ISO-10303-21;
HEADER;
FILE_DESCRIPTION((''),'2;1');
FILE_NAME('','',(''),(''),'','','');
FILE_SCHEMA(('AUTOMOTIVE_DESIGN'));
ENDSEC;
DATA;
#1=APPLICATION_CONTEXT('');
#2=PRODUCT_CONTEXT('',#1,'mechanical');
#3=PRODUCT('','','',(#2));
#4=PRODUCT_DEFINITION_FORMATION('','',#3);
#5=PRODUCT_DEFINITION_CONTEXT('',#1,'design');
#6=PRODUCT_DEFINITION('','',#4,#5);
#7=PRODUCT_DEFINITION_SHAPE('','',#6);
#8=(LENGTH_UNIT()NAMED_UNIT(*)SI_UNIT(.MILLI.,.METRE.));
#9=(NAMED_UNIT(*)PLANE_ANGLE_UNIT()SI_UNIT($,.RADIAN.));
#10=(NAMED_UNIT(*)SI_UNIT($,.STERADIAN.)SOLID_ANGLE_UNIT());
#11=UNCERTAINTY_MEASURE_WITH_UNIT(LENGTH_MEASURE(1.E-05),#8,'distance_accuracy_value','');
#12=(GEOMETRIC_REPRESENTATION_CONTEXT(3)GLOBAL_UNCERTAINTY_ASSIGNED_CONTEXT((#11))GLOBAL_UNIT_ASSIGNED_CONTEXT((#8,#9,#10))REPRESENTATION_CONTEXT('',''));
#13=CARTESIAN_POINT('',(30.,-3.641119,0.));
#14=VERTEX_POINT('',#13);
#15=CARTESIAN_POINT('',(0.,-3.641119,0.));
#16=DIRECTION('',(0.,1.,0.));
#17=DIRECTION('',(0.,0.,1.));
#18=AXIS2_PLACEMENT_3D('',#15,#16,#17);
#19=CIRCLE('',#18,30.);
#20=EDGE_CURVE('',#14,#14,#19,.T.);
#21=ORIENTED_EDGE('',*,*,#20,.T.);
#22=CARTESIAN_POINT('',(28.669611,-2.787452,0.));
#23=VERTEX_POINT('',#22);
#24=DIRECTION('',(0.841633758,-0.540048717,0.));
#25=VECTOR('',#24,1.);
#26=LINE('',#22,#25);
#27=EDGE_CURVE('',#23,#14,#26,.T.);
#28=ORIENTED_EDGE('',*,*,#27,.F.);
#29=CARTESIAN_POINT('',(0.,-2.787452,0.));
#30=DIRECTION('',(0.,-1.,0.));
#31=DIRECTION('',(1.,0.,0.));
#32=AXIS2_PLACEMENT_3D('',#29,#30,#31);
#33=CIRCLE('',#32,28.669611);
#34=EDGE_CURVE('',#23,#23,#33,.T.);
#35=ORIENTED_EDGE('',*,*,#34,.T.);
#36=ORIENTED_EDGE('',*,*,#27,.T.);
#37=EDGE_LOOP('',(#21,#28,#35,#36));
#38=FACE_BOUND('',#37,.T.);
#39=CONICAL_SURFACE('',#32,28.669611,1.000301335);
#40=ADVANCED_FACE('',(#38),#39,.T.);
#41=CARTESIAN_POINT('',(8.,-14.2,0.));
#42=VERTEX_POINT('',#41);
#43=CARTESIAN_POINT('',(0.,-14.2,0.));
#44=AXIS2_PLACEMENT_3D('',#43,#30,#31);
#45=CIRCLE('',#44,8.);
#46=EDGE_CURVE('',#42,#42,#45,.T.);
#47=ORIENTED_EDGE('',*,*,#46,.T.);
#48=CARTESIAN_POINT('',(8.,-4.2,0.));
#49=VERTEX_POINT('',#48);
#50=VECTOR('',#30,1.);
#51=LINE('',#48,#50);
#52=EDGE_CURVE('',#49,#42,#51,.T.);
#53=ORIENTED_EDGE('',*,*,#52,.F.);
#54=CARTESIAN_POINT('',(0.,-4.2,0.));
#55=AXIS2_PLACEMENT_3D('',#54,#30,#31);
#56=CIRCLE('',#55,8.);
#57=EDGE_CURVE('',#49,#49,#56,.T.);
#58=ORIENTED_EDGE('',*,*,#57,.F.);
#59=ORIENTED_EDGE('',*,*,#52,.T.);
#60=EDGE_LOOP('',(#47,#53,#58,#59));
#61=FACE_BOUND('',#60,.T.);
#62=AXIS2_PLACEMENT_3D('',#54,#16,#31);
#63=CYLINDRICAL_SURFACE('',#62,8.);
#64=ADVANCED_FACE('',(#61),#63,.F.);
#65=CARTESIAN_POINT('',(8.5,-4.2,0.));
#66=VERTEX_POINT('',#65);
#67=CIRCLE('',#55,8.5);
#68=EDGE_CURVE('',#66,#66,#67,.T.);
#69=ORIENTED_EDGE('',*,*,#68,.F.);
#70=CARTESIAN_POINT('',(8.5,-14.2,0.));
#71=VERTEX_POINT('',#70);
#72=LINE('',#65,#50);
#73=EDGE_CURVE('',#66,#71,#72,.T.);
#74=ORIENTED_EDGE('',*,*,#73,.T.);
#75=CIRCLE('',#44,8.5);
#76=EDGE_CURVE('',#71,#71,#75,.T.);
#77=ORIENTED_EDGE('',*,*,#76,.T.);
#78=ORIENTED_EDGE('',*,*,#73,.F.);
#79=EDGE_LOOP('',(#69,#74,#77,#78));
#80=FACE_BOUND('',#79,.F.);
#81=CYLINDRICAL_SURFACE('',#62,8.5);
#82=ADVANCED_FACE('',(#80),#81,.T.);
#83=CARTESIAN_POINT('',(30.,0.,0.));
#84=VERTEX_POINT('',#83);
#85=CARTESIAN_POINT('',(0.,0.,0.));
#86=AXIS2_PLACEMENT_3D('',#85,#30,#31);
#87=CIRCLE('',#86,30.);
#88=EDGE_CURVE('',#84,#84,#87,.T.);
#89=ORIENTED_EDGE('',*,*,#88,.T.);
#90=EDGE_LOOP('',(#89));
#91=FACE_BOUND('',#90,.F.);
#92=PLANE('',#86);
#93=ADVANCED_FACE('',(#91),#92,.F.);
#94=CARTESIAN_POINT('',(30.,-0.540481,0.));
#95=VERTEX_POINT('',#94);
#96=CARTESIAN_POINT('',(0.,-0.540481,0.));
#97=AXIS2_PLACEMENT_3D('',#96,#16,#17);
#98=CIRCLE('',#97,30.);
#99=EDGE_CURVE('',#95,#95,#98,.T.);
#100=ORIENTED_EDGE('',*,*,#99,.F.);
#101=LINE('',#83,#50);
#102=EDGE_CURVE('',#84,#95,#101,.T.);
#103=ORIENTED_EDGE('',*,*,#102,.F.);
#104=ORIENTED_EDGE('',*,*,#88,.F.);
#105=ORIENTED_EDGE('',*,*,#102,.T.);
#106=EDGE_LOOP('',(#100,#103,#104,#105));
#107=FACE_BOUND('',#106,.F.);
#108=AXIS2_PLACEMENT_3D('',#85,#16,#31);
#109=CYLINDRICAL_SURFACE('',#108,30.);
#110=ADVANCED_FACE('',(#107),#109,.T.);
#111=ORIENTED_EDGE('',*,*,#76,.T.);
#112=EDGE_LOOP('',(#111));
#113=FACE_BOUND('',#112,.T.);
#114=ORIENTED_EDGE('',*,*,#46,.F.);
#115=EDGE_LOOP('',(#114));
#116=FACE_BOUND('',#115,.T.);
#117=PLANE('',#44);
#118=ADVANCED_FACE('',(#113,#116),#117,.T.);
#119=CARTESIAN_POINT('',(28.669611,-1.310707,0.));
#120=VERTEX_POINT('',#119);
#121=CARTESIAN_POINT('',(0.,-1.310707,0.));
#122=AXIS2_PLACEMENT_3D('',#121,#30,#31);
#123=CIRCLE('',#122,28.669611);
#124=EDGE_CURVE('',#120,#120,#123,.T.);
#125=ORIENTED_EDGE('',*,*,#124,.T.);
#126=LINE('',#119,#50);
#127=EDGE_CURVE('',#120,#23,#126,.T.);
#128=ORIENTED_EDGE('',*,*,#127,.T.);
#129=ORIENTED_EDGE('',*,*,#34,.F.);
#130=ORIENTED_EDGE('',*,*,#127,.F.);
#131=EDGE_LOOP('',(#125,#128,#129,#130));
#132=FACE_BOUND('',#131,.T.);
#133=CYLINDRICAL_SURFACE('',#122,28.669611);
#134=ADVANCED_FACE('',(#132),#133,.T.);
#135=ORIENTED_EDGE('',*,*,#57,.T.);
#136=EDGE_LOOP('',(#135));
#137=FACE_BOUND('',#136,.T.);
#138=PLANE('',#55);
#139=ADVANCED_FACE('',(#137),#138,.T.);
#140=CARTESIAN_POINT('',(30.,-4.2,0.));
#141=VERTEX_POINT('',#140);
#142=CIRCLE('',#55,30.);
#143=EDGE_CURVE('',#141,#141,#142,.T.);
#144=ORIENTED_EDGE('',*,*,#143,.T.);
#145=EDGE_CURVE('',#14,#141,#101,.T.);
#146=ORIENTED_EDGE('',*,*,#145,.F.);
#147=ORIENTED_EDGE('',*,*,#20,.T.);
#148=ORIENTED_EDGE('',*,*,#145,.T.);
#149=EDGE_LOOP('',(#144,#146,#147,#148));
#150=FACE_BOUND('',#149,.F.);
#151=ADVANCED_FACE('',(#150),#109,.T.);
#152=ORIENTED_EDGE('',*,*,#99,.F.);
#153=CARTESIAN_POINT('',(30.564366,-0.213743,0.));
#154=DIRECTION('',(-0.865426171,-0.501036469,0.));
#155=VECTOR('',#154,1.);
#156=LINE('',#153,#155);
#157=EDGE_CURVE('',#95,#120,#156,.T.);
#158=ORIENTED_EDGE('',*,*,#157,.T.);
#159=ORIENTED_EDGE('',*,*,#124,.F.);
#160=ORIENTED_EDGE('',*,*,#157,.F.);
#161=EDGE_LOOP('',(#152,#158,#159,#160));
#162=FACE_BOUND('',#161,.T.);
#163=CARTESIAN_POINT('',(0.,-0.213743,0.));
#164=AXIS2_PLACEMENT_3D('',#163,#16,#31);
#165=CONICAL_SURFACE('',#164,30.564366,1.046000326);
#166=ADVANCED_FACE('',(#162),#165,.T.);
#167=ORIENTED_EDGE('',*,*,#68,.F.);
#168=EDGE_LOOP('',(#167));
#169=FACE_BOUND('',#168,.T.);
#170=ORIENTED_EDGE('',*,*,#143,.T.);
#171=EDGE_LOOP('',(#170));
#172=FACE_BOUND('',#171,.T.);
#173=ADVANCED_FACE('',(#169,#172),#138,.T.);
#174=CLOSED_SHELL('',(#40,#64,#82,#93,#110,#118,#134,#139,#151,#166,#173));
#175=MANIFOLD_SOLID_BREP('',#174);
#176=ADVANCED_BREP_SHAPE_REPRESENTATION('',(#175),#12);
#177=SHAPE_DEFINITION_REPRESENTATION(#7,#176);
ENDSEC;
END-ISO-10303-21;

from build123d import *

# Parameters (mm, degrees)
F0_R     = 30
F1_DEPTH = 4.2
F2_R     = 8.5
F2_R_2   = 8
F3_DEPTH = 10


with BuildPart() as f1:
    # F0 (on Front) → F1 (new body)
    with BuildSketch(Plane.XZ):
        Circle(F0_R)
    extrude(amount=F1_DEPTH)

    # F2 (on face) → F3 (join)
    with BuildSketch(Plane.XZ.offset(4.2)):
        Circle(F2_R)
        Circle(F2_R_2, mode=Mode.SUBTRACT)
    extrude(amount=F3_DEPTH)

    # F4 (on Top) → F5 (revolve, cut)
    with BuildSketch(Plane.XY):
        Polygon((28.669611, -2.787452), (30.564366, -4.003254), (30.564366, -0.213743), (28.669611, -1.310707), align=None)
    revolve(axis=Axis((0, -2.633361, 0), (0, -1, 0)), mode=Mode.SUBTRACT)


solid = f1.part
